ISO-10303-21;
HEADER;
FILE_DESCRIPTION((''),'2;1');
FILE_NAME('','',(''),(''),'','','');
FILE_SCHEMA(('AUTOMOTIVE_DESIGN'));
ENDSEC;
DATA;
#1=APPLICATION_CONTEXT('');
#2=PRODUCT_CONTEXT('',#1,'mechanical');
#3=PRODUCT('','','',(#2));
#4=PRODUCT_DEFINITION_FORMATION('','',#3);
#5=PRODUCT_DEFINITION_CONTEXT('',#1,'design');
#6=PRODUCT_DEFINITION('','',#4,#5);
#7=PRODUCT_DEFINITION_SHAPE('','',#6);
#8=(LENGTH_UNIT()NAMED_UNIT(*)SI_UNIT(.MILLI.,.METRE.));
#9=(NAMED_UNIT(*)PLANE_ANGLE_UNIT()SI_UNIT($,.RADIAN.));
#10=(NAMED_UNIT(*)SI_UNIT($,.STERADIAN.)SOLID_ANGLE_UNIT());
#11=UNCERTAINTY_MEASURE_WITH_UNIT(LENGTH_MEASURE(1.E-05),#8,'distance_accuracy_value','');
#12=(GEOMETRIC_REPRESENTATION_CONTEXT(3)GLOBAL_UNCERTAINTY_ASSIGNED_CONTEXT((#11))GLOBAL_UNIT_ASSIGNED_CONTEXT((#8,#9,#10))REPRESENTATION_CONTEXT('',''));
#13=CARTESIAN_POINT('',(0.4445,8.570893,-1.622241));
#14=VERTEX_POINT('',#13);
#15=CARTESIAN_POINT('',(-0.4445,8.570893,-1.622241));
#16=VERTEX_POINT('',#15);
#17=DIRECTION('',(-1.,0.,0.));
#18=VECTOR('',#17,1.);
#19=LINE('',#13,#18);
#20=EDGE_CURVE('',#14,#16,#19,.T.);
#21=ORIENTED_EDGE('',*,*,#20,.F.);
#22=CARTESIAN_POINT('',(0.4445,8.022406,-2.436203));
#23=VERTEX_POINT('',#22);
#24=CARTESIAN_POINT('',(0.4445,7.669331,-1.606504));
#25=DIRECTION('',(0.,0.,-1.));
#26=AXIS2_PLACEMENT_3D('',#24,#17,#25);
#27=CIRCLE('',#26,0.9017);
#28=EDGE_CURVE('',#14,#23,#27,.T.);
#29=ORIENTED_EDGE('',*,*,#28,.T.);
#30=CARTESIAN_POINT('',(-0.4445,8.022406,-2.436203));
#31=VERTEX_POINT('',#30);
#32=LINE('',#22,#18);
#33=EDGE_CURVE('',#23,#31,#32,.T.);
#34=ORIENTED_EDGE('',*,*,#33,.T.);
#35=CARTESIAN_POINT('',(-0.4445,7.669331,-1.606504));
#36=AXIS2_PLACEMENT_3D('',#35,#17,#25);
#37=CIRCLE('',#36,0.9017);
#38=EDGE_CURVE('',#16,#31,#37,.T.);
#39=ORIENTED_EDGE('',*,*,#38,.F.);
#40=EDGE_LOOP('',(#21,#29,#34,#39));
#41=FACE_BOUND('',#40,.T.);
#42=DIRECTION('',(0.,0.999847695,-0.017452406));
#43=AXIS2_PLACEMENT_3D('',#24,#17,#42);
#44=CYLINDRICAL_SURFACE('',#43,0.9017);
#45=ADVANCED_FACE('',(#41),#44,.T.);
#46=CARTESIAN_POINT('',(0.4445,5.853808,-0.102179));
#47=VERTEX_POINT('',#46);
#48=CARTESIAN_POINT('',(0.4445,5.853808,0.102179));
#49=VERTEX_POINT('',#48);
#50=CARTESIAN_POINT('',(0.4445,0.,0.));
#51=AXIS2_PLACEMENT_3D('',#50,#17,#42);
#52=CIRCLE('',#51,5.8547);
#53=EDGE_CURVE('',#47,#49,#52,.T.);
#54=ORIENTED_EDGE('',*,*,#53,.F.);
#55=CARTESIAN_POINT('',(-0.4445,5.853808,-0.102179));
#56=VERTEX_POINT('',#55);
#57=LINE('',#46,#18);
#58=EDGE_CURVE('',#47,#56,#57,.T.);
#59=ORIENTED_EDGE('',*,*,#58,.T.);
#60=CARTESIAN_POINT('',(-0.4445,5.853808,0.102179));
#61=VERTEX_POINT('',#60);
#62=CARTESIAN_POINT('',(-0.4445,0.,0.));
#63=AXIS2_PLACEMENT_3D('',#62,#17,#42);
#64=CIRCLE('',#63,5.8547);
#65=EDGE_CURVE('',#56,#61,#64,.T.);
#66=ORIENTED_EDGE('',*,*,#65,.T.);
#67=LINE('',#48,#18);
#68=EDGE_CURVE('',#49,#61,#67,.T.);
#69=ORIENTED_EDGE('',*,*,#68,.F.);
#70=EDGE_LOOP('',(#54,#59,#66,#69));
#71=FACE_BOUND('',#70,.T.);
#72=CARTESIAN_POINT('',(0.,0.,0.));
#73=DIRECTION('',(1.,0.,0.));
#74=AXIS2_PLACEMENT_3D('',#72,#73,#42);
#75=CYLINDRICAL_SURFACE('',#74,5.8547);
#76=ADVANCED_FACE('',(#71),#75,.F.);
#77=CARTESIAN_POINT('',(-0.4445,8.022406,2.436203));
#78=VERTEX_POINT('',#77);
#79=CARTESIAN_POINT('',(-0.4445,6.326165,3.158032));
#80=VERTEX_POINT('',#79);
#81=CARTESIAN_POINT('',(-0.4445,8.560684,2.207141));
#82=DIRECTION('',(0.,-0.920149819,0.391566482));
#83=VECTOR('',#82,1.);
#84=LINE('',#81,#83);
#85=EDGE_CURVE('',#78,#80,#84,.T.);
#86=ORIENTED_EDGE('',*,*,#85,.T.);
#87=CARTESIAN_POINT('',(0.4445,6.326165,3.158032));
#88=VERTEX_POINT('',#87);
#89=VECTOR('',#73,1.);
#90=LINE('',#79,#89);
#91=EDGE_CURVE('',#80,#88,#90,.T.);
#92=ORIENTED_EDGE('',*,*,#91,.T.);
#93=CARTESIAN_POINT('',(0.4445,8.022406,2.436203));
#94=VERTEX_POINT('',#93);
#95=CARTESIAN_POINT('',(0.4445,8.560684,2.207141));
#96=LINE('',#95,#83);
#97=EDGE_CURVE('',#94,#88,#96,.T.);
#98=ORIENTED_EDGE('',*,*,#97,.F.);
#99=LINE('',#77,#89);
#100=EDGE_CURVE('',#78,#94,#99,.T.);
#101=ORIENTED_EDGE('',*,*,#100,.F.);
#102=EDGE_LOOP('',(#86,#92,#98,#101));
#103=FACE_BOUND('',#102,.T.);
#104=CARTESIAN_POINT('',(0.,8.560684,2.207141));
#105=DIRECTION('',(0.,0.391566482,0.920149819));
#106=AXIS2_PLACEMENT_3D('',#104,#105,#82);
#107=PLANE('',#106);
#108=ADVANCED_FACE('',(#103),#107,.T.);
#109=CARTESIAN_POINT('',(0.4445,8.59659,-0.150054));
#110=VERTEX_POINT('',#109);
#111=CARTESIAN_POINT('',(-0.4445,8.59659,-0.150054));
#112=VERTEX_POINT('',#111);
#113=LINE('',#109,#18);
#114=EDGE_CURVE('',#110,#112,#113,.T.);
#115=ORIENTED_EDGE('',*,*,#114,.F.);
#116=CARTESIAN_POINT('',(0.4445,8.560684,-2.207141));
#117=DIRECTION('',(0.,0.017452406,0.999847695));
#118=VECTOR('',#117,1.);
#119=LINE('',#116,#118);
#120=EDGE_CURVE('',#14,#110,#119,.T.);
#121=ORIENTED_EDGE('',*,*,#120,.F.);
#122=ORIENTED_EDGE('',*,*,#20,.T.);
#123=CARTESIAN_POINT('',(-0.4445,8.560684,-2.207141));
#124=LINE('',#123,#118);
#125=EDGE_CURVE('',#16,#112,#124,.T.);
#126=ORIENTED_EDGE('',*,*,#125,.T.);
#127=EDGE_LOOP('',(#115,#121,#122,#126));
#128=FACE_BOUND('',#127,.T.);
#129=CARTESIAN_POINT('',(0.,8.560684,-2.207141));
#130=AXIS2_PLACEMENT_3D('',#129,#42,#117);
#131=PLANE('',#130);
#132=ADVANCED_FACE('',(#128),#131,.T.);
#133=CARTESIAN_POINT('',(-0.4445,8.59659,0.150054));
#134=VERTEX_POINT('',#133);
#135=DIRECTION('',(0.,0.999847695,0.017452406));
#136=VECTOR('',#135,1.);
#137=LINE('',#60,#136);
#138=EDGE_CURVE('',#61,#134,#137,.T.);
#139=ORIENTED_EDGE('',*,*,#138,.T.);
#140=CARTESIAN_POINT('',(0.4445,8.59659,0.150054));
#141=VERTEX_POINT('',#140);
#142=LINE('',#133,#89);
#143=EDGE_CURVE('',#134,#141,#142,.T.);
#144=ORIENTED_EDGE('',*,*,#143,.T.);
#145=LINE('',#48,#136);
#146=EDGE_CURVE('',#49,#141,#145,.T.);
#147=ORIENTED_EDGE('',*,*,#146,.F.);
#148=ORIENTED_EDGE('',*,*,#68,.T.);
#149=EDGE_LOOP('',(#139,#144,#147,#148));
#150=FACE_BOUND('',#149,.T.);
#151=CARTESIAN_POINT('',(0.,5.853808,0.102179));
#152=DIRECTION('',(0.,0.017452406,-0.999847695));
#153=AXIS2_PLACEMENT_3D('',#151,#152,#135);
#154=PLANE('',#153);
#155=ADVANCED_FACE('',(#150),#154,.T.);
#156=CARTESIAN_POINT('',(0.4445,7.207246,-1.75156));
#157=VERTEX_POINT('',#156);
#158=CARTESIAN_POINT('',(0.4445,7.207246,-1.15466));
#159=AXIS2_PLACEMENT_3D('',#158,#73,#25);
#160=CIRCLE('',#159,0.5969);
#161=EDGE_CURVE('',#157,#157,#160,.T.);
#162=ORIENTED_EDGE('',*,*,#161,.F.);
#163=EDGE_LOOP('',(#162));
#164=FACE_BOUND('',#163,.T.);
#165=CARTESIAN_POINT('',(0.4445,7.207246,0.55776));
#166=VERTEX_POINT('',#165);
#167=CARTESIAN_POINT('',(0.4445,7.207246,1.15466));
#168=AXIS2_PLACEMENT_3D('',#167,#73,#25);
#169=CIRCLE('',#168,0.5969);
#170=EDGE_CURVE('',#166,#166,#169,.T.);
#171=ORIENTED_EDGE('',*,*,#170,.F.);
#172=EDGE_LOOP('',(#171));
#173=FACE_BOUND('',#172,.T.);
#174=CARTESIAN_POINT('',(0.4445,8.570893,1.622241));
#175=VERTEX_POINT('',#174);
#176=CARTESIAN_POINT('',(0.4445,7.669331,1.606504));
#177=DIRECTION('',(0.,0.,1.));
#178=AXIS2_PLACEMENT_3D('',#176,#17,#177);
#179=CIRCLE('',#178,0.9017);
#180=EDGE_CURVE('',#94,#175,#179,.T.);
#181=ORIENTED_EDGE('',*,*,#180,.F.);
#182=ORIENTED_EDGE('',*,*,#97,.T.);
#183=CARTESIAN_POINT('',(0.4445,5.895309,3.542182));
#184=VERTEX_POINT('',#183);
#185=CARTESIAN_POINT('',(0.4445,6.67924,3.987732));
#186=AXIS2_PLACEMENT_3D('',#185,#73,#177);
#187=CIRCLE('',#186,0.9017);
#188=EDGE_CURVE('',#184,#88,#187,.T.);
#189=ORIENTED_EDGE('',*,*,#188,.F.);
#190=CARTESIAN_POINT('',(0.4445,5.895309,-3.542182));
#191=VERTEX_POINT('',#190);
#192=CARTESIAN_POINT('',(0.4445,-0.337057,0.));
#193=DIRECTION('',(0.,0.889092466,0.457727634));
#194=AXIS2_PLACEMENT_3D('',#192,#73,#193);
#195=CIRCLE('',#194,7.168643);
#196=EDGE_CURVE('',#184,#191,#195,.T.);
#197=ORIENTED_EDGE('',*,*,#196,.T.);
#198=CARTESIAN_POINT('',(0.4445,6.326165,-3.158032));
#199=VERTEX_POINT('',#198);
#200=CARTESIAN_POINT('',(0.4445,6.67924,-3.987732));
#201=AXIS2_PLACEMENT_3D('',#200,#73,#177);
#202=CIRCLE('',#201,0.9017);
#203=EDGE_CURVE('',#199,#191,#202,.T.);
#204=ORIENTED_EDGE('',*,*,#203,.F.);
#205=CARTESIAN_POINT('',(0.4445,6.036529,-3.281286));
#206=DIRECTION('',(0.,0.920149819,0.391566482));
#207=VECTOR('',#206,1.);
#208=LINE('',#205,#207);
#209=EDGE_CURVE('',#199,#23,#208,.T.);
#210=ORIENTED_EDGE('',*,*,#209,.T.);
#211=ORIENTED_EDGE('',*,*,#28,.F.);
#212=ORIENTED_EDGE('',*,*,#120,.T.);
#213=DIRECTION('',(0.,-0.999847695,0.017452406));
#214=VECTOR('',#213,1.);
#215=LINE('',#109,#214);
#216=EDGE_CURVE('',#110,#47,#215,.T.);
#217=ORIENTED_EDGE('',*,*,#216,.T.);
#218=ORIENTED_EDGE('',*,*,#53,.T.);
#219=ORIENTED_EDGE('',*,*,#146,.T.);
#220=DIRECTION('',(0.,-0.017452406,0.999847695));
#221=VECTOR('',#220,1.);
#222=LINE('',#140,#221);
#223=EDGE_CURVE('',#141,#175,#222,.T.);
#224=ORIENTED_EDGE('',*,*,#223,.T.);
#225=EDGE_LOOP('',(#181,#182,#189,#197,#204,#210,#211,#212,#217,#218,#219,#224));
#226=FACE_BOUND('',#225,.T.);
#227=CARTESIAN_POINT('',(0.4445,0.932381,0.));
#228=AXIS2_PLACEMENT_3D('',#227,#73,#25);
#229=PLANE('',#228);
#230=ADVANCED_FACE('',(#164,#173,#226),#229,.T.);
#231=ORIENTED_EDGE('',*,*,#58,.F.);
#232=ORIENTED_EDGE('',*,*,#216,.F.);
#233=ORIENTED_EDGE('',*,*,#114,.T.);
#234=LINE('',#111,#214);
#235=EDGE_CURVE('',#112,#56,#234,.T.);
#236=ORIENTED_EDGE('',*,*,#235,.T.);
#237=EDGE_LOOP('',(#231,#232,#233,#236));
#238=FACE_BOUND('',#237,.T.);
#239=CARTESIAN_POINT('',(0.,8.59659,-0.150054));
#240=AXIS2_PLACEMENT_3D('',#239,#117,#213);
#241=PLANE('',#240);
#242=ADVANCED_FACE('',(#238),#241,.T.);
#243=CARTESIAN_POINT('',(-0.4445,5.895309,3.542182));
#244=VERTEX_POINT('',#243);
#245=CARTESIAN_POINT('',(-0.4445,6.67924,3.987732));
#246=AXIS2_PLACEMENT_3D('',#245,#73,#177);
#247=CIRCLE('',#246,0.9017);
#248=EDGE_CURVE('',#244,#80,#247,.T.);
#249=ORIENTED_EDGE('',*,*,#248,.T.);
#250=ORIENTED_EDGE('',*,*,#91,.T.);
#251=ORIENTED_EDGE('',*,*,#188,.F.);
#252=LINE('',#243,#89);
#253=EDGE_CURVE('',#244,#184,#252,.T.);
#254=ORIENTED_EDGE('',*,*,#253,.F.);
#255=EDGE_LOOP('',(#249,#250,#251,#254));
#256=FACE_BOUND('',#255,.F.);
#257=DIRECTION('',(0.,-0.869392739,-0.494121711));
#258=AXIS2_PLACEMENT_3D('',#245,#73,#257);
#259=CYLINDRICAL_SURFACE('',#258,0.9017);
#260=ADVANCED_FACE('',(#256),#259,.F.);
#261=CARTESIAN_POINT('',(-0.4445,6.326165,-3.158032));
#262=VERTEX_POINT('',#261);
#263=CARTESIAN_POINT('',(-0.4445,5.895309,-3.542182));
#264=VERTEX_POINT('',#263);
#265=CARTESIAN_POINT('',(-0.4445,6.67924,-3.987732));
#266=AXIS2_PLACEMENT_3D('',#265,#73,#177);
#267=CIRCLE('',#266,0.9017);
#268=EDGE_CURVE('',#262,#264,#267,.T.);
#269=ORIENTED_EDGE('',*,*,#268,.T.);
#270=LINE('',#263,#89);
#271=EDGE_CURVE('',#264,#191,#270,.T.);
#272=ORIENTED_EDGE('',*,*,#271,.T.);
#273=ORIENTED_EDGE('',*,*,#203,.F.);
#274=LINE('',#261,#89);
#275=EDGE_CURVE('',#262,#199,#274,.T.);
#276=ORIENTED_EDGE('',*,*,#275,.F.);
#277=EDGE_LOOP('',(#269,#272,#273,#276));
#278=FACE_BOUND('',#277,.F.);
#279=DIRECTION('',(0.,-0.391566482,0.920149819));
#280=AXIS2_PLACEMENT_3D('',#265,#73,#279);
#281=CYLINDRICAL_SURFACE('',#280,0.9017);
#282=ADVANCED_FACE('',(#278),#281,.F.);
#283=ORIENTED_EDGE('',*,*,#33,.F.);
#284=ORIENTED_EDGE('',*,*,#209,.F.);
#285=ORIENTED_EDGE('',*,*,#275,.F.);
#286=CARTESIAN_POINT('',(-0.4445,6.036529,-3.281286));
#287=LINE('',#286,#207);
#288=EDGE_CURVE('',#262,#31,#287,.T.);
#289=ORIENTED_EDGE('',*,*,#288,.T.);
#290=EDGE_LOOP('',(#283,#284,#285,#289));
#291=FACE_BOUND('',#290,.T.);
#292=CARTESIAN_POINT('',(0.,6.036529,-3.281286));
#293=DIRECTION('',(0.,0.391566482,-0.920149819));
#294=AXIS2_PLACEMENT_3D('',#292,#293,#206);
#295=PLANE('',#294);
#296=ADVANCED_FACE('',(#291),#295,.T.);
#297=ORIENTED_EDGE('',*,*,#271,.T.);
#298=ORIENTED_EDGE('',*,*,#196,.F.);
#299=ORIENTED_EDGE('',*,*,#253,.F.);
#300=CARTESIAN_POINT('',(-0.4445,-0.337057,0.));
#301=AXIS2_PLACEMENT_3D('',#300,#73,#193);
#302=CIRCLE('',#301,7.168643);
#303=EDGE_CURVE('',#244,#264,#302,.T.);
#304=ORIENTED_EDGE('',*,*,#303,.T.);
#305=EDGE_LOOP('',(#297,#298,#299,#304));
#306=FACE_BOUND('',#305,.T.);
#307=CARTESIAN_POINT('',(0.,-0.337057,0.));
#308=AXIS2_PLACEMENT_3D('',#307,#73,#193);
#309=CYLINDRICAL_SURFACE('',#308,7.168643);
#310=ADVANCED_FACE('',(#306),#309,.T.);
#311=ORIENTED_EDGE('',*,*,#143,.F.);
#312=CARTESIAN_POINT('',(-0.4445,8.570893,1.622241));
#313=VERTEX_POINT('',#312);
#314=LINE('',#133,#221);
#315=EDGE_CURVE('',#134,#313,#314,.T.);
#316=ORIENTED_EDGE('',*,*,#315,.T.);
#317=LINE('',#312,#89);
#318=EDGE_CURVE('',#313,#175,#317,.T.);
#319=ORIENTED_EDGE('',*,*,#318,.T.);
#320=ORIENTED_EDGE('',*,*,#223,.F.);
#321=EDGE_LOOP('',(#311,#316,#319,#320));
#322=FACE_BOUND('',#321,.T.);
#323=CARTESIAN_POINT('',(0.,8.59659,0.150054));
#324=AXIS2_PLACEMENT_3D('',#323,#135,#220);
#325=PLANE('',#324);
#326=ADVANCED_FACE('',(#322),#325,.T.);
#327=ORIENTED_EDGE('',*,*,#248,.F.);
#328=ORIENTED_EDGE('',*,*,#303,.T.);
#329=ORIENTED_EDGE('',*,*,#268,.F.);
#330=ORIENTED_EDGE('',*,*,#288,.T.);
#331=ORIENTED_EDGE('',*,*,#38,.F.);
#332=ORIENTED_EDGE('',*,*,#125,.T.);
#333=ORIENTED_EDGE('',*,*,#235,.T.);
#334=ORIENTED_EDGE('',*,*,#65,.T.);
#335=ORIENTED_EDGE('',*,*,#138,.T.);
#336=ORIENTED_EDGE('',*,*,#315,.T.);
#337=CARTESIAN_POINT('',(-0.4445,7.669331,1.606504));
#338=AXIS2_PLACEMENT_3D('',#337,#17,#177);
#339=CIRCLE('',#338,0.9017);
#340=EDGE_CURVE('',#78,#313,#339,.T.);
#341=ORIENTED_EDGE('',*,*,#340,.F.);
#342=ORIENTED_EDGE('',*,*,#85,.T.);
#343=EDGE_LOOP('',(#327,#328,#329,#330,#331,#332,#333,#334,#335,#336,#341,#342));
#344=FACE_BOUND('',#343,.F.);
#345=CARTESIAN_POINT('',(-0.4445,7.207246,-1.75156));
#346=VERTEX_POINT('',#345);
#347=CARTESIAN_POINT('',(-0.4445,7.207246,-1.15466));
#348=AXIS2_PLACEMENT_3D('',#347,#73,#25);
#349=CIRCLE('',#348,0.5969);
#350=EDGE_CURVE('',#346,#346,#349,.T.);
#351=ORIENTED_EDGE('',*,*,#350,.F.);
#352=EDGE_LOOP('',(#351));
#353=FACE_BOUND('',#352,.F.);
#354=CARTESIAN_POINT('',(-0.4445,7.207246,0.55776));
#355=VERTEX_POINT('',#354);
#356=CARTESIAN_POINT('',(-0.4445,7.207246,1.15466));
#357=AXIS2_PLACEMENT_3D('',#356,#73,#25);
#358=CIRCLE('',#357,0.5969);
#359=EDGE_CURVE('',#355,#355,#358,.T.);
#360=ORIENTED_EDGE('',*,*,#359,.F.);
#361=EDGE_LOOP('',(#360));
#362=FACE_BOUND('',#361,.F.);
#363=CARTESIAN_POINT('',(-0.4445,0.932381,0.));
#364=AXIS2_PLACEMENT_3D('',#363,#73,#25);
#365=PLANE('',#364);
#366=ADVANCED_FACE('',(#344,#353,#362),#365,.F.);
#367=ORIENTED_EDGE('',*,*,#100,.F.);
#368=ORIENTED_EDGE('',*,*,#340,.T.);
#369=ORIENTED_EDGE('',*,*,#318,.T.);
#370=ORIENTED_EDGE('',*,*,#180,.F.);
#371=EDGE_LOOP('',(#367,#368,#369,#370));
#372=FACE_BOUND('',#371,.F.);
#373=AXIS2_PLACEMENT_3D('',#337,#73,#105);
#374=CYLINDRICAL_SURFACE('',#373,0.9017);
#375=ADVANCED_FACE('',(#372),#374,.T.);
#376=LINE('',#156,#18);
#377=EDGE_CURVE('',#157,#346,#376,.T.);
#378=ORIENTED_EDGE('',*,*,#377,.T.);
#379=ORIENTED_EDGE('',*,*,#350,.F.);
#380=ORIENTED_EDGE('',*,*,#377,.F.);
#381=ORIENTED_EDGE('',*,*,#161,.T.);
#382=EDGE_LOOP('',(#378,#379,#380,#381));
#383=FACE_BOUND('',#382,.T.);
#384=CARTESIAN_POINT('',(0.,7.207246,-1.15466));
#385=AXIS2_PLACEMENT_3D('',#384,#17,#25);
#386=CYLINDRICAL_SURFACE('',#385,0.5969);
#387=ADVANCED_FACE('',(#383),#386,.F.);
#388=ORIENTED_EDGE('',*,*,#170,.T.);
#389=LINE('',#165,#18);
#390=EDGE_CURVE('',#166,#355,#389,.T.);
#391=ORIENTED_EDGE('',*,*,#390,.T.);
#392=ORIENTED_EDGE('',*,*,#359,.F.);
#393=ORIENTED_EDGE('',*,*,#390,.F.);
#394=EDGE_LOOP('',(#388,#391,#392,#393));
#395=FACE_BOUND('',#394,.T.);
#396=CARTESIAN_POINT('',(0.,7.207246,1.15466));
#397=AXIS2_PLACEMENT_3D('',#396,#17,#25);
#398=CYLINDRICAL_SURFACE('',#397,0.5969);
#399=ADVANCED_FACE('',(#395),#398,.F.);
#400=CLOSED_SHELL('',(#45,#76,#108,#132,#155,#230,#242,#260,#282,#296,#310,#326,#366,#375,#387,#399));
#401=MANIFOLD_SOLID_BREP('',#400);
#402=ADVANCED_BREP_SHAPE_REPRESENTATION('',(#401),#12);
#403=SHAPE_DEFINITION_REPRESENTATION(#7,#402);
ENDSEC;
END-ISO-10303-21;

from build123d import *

# Parameters (mm, degrees)
SKETCH1_R      = 0.5969
EXTRUDE1_DEPTH = 0.4445
FILLET1_R      = 0.9017


with BuildPart() as part:
    # Sketch1 → Extrude1 (new body, symmetric)
    with BuildSketch(Plane(origin=(0, 0, 0), x_dir=(0, 0, -1), z_dir=(1, 0, 0))):
        with BuildLine():
            Line((-0.102178604, 5.853808301), (-0.150054045, 8.596590498))
            Line((-0.150054045, 8.596590498), (-2.207140693, 8.560683917))
            Line((-2.207140693, 8.560683917), (-3.281285866, 6.036528932))
            ThreePointArc((-3.281285866, 6.036528932), (0, -7.5057), (3.281285866, 6.036528932))
            Line((3.281285866, 6.036528932), (2.207140693, 8.560683917))
            Line((2.207140693, 8.560683917), (0.150054045, 8.596590498))
            Line((0.150054045, 8.596590498), (0.102178604, 5.853808301))
            ThreePointArc((0.102178604, 5.853808301), (0, -5.8547), (-0.102178604, 5.853808301))
        make_face()
        with Locations((-1.154659649, 7.207246109)):
            Circle(SKETCH1_R, mode=Mode.SUBTRACT)
        with Locations((1.154659649, 7.207246109)):
            Circle(SKETCH1_R, mode=Mode.SUBTRACT)
    extrude(amount=EXTRUDE1_DEPTH, both=True)

    # Fillet1
    fillet1_edges = [part.edges().sort_by_distance(p)[0] for p in [
        (0, 8.560683917, -2.207140693),
        (0, 6.036528932, -3.281285866),
        (0, 6.036528932, 3.281285866),
        (0, 8.560683917, 2.207140693),
    ]]
    fillet(fillet1_edges, radius=FILLET1_R)


solid = part.part
